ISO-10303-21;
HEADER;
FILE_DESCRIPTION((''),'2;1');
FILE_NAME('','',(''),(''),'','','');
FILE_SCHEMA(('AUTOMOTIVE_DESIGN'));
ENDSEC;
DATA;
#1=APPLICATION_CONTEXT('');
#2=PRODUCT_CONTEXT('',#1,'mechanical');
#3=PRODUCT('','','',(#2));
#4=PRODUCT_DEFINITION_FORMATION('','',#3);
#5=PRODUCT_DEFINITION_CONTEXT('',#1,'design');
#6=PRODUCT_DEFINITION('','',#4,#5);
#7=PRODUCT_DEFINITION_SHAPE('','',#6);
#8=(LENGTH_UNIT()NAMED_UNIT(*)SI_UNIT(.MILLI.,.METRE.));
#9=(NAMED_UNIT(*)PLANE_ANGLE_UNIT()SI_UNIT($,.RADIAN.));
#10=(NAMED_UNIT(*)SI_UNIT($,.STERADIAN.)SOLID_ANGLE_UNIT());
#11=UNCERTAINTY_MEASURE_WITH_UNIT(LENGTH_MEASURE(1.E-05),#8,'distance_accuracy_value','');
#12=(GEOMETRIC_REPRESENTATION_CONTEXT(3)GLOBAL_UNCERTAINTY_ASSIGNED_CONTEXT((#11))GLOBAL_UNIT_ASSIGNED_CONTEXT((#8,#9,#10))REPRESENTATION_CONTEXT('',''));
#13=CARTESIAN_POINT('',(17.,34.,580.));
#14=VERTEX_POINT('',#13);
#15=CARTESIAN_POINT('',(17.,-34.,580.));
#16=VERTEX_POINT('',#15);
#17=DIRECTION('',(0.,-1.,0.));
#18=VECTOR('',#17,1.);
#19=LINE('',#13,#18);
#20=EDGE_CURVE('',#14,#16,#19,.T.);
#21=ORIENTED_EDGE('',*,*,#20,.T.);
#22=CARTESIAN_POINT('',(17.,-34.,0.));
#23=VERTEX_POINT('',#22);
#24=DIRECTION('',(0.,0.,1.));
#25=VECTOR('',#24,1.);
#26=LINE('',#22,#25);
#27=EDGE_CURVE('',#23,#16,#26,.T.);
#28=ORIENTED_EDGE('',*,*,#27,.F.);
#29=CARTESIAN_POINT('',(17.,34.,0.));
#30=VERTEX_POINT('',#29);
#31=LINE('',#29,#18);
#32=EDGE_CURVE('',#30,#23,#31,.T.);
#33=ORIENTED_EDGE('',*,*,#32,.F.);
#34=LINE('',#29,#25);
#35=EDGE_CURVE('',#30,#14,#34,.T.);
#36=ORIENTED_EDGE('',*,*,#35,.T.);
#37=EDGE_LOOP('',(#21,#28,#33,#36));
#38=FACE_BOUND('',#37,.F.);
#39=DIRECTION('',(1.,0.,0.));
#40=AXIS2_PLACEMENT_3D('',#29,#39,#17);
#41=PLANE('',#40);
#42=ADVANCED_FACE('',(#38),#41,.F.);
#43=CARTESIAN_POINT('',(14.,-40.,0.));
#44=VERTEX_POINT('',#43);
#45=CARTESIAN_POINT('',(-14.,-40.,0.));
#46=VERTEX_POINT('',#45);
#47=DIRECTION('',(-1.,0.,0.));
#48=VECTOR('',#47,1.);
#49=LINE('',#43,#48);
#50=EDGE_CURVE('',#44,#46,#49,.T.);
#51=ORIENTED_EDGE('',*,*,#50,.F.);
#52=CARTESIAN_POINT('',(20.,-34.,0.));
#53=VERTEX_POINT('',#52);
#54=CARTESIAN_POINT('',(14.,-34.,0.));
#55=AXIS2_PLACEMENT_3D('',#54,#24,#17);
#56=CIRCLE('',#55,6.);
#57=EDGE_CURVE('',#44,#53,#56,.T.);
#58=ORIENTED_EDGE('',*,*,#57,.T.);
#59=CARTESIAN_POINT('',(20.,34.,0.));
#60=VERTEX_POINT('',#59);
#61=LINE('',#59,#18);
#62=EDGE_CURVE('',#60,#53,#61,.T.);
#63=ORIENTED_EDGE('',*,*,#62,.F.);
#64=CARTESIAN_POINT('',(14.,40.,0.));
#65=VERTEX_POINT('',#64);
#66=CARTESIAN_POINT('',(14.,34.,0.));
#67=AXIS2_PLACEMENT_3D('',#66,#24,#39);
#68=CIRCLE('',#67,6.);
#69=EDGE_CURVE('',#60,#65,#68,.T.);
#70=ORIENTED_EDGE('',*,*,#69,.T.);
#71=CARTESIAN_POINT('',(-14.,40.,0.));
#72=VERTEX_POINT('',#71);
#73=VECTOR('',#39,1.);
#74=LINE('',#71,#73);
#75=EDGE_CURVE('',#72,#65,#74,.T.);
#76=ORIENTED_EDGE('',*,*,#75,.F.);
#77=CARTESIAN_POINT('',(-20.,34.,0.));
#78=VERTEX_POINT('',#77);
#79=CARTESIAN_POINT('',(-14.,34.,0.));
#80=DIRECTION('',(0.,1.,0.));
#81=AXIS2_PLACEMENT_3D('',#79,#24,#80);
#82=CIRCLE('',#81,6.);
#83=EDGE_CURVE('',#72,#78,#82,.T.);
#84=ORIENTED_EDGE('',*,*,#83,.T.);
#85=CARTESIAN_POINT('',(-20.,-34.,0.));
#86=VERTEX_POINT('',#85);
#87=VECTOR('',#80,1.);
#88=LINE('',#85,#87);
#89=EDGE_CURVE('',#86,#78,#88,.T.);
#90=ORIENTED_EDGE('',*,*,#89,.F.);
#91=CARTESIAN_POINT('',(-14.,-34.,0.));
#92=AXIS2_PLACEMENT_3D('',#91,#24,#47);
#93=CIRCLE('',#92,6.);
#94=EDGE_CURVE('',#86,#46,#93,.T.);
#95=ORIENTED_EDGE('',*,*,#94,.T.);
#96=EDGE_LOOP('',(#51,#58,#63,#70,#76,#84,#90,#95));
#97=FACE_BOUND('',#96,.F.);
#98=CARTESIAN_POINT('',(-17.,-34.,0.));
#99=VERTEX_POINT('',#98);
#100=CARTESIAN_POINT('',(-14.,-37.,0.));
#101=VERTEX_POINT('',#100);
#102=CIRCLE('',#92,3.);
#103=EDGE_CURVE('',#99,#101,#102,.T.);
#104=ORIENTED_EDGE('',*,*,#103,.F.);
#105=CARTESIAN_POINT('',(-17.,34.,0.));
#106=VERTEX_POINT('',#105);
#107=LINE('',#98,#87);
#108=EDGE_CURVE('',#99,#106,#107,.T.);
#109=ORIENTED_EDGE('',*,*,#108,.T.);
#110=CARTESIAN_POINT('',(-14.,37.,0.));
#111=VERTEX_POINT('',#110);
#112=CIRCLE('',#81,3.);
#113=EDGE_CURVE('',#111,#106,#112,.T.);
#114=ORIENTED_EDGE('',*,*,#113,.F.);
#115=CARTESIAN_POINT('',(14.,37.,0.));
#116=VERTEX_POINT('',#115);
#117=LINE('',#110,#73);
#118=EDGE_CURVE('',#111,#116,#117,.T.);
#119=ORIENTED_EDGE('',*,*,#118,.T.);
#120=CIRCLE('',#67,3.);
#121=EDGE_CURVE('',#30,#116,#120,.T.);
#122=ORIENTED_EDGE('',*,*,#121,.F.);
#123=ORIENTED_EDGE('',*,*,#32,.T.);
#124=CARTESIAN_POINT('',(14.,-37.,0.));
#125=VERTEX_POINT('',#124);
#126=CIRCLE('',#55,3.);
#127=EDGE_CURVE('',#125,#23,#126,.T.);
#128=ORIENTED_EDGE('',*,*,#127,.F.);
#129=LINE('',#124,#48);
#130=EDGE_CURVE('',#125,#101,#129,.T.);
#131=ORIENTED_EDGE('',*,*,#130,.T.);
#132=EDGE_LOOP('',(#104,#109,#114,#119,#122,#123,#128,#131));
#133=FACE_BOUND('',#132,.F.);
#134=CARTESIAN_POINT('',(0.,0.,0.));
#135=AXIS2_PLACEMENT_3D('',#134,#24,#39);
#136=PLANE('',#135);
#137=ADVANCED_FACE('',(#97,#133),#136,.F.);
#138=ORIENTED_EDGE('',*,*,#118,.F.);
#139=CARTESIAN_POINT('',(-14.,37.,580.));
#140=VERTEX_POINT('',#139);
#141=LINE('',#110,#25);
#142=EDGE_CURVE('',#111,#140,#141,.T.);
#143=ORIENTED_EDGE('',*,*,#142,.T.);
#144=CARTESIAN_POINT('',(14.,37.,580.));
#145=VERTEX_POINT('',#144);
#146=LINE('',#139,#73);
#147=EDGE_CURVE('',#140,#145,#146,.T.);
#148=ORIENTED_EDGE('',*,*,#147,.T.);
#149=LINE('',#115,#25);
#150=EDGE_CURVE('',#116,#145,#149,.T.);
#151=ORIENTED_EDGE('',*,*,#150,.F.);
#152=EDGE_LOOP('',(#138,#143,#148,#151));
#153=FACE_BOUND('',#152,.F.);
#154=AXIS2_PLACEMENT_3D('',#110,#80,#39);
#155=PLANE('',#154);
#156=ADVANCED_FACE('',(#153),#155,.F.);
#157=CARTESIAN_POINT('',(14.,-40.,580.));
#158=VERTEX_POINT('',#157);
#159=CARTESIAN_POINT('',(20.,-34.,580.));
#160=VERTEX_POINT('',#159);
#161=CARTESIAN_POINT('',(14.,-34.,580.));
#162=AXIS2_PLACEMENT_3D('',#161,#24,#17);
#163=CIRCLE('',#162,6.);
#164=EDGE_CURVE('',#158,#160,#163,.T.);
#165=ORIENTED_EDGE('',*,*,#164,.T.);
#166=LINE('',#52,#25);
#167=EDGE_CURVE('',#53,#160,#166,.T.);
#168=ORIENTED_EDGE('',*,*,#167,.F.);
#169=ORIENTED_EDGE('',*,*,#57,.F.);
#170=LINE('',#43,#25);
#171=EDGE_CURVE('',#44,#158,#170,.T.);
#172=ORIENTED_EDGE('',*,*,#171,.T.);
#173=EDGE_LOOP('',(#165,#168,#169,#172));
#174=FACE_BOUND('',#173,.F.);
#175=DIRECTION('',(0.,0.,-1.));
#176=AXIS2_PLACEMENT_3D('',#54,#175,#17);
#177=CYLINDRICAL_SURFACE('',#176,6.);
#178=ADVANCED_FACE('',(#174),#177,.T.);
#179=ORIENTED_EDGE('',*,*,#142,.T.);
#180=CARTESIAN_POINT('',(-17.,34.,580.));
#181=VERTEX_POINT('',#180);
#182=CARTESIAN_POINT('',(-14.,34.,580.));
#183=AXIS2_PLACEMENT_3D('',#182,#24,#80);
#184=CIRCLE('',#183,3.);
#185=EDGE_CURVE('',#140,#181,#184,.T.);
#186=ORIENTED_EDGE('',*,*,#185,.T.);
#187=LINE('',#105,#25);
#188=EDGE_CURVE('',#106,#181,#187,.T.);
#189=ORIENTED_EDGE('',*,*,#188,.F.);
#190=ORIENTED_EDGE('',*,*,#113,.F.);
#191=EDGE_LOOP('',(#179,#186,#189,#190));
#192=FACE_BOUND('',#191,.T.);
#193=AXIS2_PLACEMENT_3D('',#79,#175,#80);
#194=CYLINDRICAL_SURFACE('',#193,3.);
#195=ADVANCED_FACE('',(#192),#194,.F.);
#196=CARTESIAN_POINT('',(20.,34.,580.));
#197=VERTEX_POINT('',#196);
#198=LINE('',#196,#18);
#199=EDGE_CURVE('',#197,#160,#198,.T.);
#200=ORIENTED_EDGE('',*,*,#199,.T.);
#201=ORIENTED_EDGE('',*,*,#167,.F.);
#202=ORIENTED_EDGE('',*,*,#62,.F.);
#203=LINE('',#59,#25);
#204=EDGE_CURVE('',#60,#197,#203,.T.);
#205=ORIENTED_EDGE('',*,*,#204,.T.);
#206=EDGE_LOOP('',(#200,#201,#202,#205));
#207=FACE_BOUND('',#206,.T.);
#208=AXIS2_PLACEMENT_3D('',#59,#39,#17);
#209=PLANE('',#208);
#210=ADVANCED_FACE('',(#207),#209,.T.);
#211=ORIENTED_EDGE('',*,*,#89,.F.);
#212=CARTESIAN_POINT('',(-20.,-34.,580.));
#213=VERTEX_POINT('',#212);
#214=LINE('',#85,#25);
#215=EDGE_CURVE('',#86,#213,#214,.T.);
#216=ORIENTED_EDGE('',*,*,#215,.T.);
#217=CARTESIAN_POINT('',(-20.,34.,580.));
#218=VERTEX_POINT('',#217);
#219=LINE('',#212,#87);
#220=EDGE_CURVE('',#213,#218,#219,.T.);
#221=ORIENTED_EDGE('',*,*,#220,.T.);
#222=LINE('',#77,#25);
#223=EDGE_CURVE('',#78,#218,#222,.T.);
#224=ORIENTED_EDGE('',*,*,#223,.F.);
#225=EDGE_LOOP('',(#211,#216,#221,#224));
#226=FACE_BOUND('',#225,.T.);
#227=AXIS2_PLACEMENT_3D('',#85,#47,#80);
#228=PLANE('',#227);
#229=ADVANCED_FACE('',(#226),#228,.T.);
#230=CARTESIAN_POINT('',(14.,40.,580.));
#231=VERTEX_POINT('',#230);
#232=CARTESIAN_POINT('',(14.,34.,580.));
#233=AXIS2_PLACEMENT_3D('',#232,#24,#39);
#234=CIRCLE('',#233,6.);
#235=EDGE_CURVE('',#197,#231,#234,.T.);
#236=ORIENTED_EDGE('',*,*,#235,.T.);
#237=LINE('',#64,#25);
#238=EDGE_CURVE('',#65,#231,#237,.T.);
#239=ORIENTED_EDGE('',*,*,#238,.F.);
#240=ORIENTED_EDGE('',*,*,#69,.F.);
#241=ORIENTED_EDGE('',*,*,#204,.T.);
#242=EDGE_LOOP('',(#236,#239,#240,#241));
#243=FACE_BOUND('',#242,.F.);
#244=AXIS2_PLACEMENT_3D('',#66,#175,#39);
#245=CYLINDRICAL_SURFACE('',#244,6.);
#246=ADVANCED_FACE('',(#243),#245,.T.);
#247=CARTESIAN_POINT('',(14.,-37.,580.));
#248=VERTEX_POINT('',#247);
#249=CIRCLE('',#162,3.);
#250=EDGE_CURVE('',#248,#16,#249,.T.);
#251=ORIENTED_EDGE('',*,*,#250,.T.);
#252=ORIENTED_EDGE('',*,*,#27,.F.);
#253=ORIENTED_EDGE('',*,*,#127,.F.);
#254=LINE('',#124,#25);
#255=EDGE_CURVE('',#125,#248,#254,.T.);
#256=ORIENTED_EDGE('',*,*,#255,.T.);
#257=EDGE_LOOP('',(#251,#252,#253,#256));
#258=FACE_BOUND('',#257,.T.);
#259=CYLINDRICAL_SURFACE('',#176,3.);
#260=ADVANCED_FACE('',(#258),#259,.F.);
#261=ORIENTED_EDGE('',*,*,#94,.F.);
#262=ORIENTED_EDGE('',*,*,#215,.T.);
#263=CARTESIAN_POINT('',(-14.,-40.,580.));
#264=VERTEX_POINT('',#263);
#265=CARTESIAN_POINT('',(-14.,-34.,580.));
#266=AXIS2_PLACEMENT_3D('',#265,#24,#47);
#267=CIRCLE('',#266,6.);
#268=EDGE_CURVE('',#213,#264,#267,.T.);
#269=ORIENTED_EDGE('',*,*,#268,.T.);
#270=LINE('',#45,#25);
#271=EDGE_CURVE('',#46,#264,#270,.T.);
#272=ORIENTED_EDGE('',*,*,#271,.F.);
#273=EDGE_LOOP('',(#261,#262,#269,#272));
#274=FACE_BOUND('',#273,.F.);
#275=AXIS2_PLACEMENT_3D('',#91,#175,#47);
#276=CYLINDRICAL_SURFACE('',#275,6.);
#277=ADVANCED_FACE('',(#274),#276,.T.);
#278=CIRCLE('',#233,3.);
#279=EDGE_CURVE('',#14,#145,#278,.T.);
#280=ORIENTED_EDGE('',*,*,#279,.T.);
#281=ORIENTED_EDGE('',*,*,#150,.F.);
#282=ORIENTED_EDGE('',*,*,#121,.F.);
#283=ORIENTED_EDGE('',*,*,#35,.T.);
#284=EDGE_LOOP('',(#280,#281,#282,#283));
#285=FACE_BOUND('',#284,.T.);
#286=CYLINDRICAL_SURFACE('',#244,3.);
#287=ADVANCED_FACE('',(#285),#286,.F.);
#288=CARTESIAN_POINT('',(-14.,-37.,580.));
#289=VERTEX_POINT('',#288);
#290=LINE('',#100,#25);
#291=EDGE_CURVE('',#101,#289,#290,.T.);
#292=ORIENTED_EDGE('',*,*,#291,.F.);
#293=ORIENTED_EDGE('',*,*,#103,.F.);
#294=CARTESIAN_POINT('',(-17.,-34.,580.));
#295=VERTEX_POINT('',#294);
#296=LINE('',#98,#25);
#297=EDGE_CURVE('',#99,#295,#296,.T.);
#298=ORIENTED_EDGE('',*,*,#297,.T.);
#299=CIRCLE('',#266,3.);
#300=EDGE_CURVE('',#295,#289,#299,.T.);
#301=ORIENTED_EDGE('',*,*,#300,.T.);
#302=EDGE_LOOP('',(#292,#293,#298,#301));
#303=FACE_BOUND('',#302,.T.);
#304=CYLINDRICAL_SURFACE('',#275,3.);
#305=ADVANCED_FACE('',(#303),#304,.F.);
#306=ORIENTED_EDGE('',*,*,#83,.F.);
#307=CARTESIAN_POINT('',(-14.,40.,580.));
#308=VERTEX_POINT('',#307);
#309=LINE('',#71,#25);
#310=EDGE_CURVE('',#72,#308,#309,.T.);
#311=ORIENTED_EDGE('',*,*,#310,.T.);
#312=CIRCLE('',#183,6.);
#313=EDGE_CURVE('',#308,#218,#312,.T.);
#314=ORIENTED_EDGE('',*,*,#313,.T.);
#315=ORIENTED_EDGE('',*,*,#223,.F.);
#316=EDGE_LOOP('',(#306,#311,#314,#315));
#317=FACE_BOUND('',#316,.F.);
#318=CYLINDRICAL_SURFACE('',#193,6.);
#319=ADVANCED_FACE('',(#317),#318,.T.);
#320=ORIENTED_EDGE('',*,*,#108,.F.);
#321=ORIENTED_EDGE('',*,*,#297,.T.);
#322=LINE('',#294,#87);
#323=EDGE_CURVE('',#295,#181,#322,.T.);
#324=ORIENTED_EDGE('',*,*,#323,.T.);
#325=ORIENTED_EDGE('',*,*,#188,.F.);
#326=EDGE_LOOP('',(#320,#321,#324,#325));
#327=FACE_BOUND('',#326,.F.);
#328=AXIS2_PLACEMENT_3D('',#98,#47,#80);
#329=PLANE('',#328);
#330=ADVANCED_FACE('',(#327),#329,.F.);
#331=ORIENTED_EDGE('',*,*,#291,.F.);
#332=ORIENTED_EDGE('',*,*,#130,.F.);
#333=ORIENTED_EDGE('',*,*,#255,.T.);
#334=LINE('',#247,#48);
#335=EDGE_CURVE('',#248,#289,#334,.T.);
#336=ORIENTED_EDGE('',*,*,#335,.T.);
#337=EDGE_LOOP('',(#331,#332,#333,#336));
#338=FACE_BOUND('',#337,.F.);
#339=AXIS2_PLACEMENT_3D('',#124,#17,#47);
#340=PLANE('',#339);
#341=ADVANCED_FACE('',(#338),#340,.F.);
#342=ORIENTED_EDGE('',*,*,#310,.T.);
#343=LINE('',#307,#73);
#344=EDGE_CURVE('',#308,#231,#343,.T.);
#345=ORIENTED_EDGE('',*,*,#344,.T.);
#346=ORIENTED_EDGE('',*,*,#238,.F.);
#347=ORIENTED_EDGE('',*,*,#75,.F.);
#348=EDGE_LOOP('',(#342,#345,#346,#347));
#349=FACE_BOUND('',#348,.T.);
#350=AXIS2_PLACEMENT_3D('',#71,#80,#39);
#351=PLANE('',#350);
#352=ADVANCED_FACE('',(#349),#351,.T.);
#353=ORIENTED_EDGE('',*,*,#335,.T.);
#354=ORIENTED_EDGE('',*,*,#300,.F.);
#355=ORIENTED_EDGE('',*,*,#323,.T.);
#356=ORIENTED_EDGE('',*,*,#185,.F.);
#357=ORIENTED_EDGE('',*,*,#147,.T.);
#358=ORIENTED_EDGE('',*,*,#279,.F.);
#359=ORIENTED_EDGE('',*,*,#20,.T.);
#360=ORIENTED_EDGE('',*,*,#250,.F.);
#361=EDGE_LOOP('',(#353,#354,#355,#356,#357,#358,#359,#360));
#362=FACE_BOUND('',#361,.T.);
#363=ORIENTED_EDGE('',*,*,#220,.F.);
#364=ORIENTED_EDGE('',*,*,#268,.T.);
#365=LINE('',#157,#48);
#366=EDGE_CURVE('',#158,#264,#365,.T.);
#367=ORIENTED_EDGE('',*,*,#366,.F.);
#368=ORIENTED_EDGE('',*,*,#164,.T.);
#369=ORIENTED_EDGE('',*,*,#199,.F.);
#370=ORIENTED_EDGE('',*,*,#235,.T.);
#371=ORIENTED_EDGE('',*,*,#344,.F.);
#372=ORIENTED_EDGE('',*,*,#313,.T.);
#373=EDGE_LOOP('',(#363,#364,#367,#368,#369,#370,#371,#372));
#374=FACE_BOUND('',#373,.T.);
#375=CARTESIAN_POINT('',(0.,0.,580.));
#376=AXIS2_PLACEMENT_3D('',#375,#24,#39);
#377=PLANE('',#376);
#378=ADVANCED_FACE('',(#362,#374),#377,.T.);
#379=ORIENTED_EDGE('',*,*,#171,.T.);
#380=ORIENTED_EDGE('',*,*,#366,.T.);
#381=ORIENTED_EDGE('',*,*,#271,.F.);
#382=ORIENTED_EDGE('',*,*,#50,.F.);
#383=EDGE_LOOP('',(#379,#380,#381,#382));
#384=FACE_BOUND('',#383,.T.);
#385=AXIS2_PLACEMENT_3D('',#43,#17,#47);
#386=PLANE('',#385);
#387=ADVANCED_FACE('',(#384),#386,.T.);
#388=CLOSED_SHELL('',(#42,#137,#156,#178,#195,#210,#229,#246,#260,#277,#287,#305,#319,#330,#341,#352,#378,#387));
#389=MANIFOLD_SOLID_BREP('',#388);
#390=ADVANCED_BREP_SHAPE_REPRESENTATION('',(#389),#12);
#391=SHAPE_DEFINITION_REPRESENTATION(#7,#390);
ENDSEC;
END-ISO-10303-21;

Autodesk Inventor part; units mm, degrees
ref_plane "YZ Plane" through (0, 0, 0) normal (1, 0, 0) x (0, 1, 0)
ref_plane "Start Plane" through (0, 0, 0) normal (0, 0, 1) x (1, 0, 0)
ref_plane "End Plane" through (0, 0, 580) normal (0, 0, 1) x (1, 0, 0)
sketch "Sketch" plane through (0, 0, 0) normal (0, 0, 1) x (1, 0, 0)
  line L0 (-20, -34) -> (-20, 34)
  line L1 (-14, 40) -> (14, 40)
  line L2 (20, 34) -> (20, -34)
  line L3 (14, -40) -> (-14, -40)
  arc A0 (-20, -34) -> (-14, -40) centre (-14, -34) ccw
  arc A1 (20, 34) -> (14, 40) centre (14, 34) ccw
  arc A2 (-14, 40) -> (-20, 34) centre (-14, 34) ccw
  arc A3 (14, -40) -> (20, -34) centre (14, -34) ccw
  arc A4 (-14, 37) -> (-17, 34) centre (-14, 34) ccw
  line L4 (-14, 37) -> (14, 37)
  arc A5 (17, 34) -> (14, 37) centre (14, 34) ccw
  line L5 (17, 34) -> (17, -34)
  arc A6 (14, -37) -> (17, -34) centre (14, -34) ccw
  line L6 (14, -37) -> (-14, -37)
  arc A7 (-17, -34) -> (-14, -37) centre (-14, -34) ccw
  line L7 (-17, -34) -> (-17, 34)
  line L8 (0, 57.7397) -> (0, -57.7397) construction
  line L9 (-29.7397, 0) -> (29.7397, 0) construction
  dimension "d7" = 6
  dimension "d9" = 40
  dimension "d11" = 80
  dimension "d12" = 3
  dimension "d15" = 20
  dimension "d16" = 40
extrude "Body" add sketch "Sketch" along normal up to surface (580 mm away) from surface at 0
sketch "Sketch3" plane through (0, 0, 0) normal (0, 0, 1) x (1, 0, 0)
  line L0 (0, 0) -> (10, 0)
ref_plane "Work Plane3" through (0, 0, 0) normal (0, -1, 0) x (1, 0, 0)
sketch "Sketch4" plane through (0, 0, 0) normal (0, -1, 0) x (1, 0, 0)
  line L0 (-2, 0) -> (12, 0) projected
  line L1 (-2, 580) -> (12, 580) projected
  dimension "d18" = 580
equation "\"d7\" = G_IR"
equation "\"d9\" = G_W"
equation "\"d11\" = G_H"
equation "\"d12\" = G_T"
equation "\"d15\" = 0.5 * d9"
equation "\"d16\" = 0.5 * d11"
equation "\"d3\" = G_L"
equation "\"G_W\" = 40"
equation "\"G_H\" = 80"
equation "\"G_T\" = 3"
equation "\"G_IR\" = 6"
equation "\"G_L\" = d18"
equation "\"G_OFFSET_START\" = 0"
equation "\"G_OFFSET_END\" = 0"
properties part number "ISO 10799-2 - 80x40x3 - 580" material "Steel, Mild"
